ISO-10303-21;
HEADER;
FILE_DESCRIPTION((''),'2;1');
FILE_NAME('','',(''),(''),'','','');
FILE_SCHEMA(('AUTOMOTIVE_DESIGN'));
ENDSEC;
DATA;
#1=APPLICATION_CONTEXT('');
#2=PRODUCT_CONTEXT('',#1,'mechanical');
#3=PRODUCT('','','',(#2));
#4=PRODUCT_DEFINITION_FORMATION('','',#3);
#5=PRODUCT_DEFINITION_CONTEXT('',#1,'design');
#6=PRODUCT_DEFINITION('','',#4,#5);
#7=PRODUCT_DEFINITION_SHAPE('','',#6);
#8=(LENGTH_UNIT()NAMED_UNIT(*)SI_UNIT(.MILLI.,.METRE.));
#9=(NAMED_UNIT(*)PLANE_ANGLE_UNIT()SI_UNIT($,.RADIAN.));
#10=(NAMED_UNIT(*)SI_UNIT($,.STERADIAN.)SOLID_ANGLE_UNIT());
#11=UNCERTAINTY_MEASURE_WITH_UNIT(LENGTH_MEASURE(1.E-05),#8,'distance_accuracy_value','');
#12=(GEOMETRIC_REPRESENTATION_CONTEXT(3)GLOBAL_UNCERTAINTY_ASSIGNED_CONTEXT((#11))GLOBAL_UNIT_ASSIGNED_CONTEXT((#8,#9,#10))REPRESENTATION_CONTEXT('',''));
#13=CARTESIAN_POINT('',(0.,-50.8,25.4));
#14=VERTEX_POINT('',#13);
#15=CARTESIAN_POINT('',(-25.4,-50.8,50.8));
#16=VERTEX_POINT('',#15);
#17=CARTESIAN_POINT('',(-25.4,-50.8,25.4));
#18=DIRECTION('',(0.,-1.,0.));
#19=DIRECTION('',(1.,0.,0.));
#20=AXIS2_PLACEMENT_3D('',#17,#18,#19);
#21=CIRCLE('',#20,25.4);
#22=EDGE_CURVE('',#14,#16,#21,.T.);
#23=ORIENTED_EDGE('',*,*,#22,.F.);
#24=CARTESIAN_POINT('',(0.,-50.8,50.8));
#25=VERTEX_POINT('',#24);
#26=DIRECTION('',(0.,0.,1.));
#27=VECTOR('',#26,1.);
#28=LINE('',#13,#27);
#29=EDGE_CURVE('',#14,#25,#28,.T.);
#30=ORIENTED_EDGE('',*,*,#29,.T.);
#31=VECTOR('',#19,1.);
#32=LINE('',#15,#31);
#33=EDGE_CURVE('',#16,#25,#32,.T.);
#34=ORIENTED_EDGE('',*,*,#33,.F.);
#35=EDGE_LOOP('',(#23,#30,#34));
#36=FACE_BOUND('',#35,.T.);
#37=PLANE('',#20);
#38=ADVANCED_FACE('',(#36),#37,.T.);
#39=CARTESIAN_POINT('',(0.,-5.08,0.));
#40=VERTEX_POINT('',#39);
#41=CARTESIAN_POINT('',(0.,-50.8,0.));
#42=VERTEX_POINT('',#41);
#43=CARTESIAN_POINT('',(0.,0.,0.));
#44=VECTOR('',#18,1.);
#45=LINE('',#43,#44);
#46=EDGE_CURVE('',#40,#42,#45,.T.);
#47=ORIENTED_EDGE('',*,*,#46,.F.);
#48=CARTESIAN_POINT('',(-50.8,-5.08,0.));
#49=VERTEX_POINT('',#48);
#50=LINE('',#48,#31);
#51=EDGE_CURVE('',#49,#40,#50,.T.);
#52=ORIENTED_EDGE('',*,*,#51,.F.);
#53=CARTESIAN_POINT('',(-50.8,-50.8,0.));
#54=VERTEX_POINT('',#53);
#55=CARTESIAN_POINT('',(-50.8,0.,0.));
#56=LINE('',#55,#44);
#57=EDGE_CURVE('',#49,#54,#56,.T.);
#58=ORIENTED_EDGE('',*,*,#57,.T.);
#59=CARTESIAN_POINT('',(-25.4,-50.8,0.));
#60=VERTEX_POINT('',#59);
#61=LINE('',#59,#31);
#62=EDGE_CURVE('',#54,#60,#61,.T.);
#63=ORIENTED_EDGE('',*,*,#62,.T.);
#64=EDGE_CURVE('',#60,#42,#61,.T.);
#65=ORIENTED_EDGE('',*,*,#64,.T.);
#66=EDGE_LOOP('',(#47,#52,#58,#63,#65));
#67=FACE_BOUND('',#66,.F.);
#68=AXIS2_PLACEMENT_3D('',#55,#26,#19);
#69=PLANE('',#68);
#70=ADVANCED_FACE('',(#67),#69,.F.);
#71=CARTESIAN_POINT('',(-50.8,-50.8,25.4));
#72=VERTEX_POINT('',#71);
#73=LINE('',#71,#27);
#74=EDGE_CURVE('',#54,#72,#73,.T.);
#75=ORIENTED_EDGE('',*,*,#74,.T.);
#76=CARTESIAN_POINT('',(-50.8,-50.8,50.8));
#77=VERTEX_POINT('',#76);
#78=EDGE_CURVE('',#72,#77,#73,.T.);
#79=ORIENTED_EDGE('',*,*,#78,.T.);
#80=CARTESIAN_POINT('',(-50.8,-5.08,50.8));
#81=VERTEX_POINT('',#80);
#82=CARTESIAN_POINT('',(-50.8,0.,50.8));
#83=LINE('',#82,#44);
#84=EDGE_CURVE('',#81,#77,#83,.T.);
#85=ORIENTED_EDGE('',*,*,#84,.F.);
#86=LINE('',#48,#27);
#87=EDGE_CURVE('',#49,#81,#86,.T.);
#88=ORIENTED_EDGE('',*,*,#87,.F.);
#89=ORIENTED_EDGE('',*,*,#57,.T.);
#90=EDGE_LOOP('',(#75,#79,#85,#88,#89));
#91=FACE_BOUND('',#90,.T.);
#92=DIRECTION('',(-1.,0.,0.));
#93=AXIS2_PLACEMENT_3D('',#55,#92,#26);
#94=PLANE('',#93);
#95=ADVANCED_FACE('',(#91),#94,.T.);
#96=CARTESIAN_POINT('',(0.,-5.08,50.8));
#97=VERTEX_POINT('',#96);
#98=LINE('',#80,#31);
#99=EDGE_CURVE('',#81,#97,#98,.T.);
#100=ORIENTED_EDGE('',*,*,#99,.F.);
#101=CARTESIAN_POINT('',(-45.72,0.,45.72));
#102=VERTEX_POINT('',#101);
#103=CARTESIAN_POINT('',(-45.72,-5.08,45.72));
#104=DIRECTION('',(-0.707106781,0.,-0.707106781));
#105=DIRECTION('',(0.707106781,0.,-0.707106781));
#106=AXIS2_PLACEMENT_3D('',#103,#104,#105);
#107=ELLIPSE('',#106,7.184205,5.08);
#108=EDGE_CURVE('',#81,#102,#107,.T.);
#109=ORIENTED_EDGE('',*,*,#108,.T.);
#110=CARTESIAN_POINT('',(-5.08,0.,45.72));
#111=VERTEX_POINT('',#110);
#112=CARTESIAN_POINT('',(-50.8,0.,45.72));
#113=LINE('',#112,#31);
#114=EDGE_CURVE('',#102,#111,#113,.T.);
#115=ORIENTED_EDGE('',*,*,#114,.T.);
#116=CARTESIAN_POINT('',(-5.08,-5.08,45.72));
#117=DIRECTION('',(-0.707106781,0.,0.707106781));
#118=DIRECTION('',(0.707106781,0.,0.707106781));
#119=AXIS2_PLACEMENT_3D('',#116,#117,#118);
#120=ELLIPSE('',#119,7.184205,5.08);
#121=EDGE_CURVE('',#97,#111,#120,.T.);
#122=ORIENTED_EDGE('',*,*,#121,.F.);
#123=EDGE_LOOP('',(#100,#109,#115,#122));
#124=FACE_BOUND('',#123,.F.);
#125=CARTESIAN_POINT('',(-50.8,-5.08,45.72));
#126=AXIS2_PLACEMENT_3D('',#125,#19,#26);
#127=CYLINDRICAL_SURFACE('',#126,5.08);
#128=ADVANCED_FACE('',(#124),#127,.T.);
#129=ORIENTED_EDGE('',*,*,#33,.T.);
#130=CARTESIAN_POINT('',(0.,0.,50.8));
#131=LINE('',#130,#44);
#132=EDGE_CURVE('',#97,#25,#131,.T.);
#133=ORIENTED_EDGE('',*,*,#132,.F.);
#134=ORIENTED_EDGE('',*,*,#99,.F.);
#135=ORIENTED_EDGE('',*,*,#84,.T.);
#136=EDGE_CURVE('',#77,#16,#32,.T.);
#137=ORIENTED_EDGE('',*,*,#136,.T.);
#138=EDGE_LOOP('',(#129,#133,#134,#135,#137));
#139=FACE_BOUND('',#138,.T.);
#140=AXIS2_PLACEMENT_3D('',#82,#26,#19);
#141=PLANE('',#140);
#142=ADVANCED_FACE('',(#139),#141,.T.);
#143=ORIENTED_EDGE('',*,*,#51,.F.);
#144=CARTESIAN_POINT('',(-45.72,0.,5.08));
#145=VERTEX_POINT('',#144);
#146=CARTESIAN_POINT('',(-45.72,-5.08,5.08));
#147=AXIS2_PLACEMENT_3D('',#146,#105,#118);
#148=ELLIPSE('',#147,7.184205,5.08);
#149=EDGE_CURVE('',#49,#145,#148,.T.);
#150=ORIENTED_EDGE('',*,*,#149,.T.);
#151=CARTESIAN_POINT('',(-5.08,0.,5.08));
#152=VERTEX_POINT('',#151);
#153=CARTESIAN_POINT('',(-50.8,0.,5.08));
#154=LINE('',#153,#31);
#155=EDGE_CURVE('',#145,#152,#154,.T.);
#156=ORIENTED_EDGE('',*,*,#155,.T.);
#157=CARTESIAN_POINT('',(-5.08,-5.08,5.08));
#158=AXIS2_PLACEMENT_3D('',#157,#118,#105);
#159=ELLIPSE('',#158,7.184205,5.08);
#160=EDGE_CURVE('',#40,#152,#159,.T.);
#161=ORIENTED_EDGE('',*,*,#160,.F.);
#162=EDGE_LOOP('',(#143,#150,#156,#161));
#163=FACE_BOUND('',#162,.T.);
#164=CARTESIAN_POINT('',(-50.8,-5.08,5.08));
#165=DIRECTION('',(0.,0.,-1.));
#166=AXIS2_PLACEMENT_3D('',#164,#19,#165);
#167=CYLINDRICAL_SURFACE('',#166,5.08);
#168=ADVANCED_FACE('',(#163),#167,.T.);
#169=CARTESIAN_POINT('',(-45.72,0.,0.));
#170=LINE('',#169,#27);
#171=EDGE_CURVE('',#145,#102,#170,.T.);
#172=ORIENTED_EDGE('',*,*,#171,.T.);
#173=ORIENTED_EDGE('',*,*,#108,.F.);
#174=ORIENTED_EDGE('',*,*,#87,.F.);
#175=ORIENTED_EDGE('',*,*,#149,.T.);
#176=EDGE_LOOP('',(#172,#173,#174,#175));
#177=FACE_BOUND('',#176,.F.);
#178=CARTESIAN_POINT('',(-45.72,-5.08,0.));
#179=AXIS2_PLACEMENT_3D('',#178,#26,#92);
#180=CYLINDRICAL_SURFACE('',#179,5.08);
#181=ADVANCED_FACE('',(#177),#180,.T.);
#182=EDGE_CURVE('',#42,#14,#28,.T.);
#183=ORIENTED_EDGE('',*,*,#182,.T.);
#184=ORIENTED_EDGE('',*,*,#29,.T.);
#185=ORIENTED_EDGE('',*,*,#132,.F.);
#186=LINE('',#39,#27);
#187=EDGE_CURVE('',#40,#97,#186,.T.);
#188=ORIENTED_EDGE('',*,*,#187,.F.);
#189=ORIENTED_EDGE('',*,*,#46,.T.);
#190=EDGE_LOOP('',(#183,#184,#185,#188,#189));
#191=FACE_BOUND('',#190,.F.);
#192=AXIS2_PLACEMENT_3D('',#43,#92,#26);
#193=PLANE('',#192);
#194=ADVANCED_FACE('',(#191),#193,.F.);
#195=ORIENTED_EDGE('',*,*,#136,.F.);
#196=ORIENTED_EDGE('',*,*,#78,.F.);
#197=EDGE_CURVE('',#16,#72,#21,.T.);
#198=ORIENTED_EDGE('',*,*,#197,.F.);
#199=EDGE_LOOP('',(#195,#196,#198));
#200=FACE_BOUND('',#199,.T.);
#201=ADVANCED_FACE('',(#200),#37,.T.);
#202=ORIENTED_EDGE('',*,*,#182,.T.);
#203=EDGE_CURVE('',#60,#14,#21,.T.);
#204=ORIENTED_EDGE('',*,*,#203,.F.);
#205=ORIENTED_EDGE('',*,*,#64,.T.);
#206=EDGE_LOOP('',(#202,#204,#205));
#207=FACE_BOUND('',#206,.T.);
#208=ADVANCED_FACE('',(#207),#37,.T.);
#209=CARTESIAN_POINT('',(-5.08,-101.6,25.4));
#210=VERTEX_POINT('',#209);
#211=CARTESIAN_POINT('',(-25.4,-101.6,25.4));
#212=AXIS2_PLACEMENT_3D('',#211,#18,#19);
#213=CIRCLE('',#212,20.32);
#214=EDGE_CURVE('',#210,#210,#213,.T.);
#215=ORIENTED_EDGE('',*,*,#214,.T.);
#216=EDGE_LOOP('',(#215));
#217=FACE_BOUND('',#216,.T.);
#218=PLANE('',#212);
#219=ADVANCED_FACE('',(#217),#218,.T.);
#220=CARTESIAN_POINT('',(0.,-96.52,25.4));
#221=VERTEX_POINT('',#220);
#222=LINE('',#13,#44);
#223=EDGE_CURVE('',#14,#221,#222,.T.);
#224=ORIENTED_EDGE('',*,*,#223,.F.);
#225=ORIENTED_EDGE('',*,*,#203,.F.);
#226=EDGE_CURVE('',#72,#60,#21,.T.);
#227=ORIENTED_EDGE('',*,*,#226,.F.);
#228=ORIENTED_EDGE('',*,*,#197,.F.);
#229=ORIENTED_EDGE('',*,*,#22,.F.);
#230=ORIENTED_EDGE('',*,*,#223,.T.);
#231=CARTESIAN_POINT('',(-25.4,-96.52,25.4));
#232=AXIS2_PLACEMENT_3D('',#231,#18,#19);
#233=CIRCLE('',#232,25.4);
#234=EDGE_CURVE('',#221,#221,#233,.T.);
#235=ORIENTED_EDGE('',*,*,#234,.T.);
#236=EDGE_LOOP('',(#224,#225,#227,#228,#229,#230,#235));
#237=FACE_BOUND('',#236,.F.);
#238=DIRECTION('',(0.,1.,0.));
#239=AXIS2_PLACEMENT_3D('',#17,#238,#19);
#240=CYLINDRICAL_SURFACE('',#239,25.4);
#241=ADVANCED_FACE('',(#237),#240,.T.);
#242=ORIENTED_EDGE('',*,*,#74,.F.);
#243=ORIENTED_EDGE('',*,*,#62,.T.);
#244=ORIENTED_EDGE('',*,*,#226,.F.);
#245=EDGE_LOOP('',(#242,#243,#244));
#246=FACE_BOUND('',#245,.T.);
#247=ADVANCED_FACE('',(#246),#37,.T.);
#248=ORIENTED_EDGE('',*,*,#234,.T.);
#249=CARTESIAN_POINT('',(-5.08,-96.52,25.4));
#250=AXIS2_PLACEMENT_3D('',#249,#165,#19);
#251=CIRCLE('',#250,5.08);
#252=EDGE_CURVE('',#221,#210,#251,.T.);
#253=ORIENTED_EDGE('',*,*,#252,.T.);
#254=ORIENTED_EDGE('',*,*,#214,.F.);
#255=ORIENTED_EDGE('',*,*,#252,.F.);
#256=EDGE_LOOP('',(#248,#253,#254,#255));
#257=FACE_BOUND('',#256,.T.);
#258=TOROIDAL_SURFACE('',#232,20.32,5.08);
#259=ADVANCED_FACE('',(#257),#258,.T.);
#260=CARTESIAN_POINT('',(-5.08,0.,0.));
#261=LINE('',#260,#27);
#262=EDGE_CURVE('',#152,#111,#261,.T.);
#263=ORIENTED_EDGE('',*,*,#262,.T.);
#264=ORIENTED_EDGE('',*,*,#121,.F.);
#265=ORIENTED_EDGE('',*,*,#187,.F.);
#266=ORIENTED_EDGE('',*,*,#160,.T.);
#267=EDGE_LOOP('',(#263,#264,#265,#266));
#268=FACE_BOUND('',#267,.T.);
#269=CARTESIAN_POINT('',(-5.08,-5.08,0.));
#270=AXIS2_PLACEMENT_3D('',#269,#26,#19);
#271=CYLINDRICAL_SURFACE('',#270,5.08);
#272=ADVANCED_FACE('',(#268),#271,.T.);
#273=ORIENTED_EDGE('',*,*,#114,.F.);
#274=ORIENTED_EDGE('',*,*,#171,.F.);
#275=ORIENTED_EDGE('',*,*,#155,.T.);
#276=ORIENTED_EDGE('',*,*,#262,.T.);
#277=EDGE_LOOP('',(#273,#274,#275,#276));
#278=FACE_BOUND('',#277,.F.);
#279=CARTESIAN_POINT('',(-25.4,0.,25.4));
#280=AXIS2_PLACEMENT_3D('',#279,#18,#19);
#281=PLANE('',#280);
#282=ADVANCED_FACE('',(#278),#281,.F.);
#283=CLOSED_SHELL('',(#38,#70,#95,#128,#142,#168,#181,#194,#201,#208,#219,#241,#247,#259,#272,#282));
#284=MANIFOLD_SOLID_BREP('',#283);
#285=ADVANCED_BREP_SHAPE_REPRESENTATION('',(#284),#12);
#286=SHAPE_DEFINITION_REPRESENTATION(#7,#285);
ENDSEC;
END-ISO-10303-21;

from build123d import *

# Parameters (mm, degrees)
F0_W     = 50.8
F0_H     = 50.8
F1_DEPTH = 50.8
F2_R     = 25.4
F3_DEPTH = 50.8
F4_R     = 5.08
F5_R     = 5.08


with BuildPart() as f1:
    # F0 (on Front) → F1 (new body)
    with BuildSketch(Plane.XZ):
        with Locations((-25.4, 25.4)):
            Rectangle(F0_W, F0_H)
    extrude(amount=F1_DEPTH)

    # F2 (on face) → F3 (join)
    with BuildSketch(Plane.XZ.offset(50.8)):
        with Locations((-25.4, 25.4)):
            Circle(F2_R)
    extrude(amount=F3_DEPTH)

    # F4
    f4_edges = [f1.edges().sort_by_distance(p)[0] for p in [
        (-25.4, 0, 0),
        (0, 0, 25.4),
        (-25.4, 0, 50.8),
        (-50.8, 0, 25.4),
    ]]
    fillet(f4_edges, radius=F4_R)

    # F5
    f5_edges = [f1.edges().sort_by_distance(p)[0] for p in [
        (-50.8, -101.6, 25.4),
    ]]
    fillet(f5_edges, radius=F5_R)


solid = f1.part
